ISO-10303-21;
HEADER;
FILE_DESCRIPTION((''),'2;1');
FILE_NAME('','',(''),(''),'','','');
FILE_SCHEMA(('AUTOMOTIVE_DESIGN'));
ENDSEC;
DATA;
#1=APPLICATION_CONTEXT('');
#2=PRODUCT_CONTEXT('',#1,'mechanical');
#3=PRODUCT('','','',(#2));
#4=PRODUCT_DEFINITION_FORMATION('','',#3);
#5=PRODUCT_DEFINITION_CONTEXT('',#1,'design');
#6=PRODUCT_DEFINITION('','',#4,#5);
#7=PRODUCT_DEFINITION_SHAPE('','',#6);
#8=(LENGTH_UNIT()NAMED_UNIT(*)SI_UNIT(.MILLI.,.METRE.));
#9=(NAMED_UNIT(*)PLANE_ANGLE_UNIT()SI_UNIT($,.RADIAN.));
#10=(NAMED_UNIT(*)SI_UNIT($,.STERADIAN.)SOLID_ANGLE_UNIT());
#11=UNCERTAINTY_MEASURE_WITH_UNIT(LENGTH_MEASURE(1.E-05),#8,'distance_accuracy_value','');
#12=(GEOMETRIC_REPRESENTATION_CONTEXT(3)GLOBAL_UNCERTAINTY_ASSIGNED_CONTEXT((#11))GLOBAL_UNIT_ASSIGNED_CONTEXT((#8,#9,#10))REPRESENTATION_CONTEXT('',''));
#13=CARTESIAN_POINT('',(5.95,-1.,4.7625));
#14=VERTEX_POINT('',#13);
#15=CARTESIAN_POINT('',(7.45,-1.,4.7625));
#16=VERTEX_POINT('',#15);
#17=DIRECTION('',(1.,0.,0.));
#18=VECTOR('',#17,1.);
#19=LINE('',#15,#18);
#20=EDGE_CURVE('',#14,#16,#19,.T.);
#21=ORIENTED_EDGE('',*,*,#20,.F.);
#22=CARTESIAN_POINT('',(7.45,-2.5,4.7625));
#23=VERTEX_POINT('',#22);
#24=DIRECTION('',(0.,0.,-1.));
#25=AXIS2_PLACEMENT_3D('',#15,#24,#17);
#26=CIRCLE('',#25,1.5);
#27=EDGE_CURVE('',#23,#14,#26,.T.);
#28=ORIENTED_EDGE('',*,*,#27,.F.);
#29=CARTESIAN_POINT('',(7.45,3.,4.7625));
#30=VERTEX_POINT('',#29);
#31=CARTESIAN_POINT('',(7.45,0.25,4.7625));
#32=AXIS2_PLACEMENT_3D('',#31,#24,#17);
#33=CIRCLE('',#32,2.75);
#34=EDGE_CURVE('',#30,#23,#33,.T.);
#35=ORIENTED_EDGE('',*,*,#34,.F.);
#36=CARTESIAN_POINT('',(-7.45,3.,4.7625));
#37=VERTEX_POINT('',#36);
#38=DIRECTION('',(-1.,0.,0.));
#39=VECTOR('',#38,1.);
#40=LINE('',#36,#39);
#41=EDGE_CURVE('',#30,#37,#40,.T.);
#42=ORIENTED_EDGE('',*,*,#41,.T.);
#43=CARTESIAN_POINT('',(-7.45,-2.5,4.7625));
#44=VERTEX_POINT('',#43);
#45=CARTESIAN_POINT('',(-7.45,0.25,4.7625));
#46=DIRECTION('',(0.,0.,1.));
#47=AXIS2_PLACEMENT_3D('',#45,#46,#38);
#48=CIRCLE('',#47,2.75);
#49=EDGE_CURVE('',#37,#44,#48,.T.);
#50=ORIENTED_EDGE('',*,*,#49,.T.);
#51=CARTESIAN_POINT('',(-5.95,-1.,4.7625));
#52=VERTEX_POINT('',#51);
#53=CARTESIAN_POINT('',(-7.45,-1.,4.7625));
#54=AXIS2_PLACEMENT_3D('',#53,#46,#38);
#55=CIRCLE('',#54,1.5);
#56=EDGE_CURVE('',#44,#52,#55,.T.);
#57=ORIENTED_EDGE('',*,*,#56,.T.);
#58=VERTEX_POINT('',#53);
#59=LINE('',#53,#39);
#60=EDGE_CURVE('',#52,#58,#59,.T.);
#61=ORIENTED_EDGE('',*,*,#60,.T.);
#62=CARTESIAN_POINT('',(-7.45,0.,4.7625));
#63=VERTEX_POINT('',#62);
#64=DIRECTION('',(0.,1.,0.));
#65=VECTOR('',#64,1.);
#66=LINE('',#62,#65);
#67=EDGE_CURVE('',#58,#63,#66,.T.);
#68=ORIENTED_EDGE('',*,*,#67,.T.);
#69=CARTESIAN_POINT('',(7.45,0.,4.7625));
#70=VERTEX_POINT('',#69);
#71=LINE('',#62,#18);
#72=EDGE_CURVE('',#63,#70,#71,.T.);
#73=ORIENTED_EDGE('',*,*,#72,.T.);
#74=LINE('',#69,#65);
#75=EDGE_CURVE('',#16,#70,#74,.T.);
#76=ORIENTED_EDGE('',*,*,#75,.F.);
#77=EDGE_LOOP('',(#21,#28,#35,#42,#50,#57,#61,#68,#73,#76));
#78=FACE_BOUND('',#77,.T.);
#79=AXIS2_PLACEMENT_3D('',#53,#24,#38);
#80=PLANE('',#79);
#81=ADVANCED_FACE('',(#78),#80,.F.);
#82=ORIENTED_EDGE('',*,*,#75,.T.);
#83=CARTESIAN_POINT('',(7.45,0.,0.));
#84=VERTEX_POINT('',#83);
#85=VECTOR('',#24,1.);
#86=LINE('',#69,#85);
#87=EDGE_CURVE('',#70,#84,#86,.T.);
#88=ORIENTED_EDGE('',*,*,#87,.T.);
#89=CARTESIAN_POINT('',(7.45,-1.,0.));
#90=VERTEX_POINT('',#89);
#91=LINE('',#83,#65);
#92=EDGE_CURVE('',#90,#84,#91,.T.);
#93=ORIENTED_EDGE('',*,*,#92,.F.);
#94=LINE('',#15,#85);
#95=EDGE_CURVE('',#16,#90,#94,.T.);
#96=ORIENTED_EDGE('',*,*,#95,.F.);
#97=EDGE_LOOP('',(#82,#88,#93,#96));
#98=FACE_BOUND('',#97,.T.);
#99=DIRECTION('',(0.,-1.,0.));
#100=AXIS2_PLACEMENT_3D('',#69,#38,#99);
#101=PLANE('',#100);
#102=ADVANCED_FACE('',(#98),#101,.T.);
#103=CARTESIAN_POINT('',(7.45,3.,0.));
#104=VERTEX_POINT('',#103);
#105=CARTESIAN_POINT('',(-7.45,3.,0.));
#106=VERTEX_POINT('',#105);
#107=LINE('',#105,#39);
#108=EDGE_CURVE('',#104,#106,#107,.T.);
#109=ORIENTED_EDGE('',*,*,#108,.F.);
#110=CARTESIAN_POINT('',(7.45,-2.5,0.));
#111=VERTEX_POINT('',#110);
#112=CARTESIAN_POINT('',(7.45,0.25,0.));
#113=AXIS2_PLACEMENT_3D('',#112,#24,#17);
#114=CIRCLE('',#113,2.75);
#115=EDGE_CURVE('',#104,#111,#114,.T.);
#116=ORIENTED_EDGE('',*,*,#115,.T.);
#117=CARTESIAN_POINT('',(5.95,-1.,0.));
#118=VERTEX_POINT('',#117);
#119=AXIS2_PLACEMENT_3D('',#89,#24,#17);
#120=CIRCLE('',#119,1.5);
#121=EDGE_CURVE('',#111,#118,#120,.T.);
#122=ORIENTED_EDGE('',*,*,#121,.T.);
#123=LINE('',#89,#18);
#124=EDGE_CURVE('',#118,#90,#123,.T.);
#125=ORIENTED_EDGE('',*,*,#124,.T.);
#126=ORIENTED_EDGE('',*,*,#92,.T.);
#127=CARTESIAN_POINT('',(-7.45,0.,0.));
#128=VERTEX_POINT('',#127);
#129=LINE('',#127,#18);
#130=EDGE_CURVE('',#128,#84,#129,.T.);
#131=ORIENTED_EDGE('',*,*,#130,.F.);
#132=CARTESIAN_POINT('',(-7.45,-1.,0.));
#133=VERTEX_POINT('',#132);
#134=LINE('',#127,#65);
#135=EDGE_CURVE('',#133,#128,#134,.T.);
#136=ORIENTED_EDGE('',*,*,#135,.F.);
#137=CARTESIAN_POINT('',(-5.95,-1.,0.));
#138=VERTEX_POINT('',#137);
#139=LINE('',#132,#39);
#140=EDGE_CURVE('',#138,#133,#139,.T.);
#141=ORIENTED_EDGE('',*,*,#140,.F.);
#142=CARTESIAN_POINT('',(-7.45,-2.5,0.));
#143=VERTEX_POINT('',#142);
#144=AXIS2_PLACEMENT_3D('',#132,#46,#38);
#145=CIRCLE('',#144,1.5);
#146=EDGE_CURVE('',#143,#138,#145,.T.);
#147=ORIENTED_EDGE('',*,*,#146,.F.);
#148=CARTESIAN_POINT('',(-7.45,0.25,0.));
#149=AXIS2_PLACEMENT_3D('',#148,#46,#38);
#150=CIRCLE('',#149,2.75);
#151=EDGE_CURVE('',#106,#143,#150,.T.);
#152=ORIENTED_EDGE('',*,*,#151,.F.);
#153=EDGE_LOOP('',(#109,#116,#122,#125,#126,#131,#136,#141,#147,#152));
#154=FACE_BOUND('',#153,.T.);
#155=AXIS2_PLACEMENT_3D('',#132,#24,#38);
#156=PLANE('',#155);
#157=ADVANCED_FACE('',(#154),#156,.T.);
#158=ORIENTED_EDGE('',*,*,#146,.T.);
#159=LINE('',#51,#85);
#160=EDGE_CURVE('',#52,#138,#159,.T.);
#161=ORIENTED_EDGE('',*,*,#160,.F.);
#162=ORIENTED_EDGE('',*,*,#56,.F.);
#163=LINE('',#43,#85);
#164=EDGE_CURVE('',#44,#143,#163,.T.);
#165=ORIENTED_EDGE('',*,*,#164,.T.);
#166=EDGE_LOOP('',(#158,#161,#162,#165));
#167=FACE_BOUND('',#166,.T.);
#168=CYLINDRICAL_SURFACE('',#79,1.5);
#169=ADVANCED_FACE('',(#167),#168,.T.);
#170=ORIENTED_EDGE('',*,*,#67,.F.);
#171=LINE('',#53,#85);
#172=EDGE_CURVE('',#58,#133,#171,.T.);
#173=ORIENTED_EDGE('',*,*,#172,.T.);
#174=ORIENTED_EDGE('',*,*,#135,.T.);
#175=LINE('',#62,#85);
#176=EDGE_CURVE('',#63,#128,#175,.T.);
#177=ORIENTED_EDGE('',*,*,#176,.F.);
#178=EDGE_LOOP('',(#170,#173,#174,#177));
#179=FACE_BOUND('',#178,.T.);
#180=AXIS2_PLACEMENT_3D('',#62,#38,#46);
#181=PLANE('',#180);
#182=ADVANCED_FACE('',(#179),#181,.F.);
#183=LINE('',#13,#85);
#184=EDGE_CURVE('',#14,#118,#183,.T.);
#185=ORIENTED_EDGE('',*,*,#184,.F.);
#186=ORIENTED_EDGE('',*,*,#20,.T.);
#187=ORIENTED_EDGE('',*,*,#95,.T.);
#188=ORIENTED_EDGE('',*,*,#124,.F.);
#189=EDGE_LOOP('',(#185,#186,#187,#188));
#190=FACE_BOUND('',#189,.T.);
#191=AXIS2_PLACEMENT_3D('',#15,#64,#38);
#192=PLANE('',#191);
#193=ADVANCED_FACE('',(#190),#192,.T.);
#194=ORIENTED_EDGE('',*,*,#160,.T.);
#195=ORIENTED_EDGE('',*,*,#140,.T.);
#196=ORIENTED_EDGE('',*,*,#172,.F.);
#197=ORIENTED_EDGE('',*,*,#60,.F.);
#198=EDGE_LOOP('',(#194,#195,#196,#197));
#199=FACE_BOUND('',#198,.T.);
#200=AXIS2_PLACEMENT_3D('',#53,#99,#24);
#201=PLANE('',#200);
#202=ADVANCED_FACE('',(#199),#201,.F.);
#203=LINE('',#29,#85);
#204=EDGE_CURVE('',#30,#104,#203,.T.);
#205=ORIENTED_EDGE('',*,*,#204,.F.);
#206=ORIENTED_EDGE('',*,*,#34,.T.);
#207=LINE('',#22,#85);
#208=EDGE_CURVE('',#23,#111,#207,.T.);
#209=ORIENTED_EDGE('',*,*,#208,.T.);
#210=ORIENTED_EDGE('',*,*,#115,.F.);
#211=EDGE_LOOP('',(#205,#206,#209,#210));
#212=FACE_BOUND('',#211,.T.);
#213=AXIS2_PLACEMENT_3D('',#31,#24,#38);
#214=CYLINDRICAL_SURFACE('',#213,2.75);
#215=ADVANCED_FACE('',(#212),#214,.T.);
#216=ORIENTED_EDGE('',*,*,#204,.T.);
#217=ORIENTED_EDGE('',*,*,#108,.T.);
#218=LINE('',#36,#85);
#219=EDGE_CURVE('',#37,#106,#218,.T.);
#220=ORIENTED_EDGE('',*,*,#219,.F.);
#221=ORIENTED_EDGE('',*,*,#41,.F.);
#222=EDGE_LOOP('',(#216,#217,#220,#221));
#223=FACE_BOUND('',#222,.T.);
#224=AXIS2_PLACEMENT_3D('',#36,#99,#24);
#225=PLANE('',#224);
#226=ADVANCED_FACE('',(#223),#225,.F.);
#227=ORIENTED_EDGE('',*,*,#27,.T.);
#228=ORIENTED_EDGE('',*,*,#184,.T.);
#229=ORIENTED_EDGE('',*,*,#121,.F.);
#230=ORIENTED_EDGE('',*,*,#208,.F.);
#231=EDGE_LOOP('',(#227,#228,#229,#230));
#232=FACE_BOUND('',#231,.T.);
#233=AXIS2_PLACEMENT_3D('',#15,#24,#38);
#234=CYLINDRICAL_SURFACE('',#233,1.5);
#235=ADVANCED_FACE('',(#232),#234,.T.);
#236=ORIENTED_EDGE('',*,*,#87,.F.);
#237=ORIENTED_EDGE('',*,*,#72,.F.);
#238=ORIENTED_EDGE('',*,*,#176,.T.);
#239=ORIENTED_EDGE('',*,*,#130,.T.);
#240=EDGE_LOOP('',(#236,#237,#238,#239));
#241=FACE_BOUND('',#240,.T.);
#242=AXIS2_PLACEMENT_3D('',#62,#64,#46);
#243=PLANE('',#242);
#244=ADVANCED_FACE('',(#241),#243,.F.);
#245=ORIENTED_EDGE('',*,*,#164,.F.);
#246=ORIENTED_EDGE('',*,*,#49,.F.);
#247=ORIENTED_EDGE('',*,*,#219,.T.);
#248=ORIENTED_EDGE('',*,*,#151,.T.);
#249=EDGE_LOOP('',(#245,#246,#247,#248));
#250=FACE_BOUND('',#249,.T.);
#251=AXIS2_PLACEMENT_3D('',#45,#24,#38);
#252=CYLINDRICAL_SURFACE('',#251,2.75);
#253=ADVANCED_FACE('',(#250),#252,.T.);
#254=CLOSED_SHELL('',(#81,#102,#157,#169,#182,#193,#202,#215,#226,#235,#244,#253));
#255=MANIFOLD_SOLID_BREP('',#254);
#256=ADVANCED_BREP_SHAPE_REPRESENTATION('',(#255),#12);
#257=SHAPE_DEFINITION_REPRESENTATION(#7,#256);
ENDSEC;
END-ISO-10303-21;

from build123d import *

# Parameters (mm, degrees)
BOSS_EXTRUDE1_DEPTH = 4.7625


with BuildPart() as part:
    # Sketch1 → Boss-Extrude1 (new body)
    with BuildSketch(Plane.XY):
        with BuildLine():
            Line((-7.45, 3), (0, 3))
            Line((0, 3), (0, 0))
            Line((0, 0), (-7.45, 0))
            Line((-7.45, 0), (-7.45, -1))
            Line((-7.45, -1), (-5.95, -1))
            ThreePointArc((-5.95, -1), (-6.389339828, -2.060660172), (-7.45, -2.5))
            ThreePointArc((-7.45, -2.5), (-10.2, 0.25), (-7.45, 3))
        make_face()
    boss_extrude1 = extrude(amount=BOSS_EXTRUDE1_DEPTH)

    # Mirror1: Boss-Extrude1 across plane
    add(boss_extrude1.mirror(Plane(origin=(0, 0, 4.7625), x_dir=(0, 0, 1), z_dir=(-1, 0, 0))))


solid = part.part
